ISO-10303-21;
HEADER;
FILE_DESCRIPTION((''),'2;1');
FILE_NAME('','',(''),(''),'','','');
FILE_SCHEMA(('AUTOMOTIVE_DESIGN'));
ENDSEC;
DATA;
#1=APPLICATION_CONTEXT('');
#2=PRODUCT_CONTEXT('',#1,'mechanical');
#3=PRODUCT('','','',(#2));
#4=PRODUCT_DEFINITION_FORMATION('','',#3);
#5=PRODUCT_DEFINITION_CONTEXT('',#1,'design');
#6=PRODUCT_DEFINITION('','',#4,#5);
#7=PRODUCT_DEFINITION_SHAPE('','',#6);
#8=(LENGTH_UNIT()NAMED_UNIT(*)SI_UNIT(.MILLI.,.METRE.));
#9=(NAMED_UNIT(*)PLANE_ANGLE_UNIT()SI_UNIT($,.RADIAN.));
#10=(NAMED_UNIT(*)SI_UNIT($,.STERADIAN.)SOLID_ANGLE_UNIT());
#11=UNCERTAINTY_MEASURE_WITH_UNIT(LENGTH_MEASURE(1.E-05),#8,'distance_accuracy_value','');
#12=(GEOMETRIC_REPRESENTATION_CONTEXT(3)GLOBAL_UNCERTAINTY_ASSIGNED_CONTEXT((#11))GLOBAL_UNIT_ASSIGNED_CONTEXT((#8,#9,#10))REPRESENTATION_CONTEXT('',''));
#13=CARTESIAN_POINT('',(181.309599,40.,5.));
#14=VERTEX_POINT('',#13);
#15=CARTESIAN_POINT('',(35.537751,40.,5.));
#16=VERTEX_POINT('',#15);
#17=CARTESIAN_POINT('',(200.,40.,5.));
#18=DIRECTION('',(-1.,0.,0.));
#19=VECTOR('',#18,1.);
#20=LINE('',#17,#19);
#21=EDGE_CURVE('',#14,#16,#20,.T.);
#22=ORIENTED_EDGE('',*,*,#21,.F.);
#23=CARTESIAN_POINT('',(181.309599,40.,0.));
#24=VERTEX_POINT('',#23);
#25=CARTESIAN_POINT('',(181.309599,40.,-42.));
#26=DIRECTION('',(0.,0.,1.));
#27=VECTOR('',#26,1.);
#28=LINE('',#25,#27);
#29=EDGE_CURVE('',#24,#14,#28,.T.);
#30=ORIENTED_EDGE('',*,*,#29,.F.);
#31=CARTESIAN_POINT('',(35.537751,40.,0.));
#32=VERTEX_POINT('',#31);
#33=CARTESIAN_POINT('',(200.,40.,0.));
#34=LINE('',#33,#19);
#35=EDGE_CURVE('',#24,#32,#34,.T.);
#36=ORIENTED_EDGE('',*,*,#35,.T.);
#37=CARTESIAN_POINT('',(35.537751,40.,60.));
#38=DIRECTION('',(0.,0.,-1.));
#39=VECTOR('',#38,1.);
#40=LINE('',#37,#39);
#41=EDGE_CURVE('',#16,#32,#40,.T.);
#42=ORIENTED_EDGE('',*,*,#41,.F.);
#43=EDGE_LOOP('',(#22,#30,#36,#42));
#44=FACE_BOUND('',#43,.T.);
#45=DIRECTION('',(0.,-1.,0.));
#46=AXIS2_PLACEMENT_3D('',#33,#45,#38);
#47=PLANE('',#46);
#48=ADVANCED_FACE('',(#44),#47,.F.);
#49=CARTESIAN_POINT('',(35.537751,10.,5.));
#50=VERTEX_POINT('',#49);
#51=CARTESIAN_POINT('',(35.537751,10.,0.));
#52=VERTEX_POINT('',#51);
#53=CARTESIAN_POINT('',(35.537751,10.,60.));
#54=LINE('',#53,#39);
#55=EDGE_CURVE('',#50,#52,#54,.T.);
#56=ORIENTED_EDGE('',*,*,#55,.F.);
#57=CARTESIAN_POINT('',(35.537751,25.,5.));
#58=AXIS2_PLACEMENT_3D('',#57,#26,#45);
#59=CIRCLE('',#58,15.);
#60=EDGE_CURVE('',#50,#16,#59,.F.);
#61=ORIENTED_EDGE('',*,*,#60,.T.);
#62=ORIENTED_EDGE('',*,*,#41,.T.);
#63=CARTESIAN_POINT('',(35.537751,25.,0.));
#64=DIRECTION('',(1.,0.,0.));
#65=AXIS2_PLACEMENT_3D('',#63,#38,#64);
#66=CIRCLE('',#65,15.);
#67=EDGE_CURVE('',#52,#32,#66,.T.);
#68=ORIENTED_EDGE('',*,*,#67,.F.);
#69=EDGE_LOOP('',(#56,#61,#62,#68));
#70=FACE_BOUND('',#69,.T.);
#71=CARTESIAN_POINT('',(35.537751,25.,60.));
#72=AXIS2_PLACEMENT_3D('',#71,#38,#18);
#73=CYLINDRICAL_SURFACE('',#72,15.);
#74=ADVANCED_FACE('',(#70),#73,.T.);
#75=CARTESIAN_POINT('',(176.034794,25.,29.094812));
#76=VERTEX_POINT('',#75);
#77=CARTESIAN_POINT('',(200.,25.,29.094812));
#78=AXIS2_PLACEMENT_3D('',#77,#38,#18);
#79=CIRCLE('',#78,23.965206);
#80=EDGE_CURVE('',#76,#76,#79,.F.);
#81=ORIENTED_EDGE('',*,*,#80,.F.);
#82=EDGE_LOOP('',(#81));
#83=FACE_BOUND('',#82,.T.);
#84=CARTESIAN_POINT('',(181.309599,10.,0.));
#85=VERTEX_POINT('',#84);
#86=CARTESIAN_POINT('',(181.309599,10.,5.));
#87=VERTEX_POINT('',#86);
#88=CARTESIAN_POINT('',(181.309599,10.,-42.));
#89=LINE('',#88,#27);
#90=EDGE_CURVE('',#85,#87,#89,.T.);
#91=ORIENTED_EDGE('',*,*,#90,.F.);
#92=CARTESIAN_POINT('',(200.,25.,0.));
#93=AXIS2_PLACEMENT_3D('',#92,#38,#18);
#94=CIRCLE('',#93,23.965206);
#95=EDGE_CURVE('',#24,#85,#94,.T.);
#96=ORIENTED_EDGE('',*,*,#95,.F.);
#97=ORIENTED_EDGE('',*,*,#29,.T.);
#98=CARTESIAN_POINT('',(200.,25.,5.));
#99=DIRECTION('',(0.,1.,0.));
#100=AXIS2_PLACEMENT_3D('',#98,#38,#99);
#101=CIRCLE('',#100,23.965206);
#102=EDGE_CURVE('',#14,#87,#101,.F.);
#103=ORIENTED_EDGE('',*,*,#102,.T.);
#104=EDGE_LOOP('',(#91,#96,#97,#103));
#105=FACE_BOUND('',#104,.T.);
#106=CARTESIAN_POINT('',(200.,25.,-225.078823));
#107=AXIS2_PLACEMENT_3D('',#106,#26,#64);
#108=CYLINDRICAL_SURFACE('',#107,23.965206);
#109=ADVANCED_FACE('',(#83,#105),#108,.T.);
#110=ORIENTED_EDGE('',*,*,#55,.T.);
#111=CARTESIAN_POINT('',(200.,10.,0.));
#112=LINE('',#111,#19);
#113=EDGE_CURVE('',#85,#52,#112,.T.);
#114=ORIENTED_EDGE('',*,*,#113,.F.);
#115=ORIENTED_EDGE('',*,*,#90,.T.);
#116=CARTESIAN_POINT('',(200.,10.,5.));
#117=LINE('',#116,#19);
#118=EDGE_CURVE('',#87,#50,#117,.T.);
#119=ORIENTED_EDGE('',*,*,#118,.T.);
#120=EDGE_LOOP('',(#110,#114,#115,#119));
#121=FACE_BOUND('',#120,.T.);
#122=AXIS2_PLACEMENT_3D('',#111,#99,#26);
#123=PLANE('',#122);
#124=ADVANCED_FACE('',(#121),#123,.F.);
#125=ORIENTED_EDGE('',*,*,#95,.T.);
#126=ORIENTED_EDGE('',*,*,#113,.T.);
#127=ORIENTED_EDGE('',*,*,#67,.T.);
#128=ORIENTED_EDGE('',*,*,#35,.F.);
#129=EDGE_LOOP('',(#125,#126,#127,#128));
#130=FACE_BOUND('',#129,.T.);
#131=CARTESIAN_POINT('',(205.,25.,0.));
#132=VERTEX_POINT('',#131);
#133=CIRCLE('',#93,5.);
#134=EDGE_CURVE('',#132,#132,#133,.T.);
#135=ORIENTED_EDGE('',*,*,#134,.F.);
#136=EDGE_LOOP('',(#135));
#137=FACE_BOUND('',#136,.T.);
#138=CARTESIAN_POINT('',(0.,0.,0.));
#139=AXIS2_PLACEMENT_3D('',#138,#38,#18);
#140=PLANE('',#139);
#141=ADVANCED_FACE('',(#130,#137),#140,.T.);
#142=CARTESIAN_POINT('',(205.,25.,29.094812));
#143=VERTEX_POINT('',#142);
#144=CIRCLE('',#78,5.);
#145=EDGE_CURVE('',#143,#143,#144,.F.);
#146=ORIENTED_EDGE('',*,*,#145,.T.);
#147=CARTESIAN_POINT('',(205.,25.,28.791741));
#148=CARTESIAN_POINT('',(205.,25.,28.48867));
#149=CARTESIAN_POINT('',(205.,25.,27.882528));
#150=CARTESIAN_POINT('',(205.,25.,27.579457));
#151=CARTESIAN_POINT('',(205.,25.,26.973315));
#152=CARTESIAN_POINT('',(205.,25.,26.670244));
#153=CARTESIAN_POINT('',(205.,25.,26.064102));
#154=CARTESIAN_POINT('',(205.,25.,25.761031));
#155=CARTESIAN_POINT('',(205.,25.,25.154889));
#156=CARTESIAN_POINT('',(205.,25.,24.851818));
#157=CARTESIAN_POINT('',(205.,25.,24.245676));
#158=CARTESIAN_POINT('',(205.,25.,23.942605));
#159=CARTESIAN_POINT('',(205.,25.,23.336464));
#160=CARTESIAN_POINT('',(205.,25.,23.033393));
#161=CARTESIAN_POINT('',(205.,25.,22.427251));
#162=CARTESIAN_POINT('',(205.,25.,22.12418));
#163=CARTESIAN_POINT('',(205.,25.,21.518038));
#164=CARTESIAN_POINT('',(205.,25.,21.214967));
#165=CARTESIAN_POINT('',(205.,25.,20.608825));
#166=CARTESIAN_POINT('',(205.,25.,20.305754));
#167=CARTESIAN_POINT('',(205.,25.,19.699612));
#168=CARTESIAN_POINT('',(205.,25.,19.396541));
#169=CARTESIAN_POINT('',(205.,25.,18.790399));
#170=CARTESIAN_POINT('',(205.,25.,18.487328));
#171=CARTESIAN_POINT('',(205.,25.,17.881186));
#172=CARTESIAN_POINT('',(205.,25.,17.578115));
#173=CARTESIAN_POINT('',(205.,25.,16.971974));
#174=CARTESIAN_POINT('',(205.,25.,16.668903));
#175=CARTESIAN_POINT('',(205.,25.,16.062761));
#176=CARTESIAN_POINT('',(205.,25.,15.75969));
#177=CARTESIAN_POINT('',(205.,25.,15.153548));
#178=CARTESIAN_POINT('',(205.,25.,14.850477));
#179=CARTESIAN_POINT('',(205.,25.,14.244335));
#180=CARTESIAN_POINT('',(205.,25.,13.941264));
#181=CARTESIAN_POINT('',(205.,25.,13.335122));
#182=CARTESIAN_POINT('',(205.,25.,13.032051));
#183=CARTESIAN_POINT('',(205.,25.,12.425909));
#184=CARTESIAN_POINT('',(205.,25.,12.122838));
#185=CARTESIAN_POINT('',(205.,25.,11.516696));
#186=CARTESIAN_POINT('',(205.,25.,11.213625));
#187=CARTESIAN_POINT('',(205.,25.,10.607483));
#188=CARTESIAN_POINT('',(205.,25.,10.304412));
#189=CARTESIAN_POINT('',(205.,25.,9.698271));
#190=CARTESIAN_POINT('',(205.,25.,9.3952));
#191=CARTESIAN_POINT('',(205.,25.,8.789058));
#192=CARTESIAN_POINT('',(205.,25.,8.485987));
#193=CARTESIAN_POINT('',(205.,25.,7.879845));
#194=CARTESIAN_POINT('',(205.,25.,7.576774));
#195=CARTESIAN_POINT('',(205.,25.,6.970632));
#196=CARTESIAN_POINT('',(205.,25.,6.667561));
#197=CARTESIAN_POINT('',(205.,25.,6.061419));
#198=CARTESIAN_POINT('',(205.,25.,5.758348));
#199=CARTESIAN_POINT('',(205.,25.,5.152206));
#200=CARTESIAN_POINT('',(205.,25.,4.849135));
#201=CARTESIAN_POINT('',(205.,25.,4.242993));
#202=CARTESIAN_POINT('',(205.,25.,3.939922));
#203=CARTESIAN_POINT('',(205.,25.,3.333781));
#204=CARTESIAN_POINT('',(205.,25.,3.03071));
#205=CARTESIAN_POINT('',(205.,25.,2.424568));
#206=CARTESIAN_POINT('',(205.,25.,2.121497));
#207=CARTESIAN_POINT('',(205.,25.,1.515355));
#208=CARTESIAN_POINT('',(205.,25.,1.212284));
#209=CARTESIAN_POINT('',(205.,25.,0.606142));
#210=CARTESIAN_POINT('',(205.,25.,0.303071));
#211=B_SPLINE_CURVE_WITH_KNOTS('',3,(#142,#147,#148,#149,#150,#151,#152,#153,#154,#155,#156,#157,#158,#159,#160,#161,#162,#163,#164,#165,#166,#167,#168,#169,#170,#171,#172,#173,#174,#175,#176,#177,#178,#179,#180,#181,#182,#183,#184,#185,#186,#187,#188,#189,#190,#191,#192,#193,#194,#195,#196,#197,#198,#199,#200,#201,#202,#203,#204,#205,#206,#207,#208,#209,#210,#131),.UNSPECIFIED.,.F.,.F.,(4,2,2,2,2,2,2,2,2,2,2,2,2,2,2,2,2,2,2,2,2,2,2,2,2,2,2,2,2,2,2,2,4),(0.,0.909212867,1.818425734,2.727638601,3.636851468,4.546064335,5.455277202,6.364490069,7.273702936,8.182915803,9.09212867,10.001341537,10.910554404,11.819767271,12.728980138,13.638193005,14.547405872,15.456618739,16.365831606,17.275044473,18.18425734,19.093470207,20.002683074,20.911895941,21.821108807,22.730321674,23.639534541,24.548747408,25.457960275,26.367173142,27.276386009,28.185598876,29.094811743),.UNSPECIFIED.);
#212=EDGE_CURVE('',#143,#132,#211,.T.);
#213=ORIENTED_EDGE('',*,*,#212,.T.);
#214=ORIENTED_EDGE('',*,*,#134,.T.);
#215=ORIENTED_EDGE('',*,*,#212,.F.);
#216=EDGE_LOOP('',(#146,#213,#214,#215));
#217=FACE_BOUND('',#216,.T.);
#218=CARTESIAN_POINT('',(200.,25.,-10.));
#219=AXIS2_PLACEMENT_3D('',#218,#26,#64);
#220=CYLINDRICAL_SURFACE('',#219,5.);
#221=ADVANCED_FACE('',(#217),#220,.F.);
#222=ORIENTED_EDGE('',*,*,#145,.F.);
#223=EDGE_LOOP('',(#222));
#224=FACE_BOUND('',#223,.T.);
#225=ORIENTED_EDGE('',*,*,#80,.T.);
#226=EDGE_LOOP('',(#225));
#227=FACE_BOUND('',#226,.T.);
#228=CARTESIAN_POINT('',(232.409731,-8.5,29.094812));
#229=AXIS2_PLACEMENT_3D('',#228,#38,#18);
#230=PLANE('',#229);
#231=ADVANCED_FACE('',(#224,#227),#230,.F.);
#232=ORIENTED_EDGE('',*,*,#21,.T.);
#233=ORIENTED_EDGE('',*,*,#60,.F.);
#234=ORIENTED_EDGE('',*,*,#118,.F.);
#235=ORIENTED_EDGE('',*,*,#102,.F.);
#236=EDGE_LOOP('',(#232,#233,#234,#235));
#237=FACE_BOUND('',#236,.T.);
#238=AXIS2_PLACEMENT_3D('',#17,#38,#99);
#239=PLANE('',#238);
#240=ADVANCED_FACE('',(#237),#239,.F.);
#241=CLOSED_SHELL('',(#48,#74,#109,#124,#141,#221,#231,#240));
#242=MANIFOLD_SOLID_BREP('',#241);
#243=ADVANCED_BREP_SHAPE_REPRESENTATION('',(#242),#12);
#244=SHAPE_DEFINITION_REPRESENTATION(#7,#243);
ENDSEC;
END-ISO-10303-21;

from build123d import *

# Parameters (mm, degrees)
SKETCH1_W           = 50
SKETCH1_H           = 50
BOSS_EXTRUDE1_DEPTH = 50
SKETCH2_W           = 50
SKETCH2_H           = 30
CUT_EXTRUDE1_DEPTH  = 5
SKETCH3_W           = 5
SKETCH3_H           = 30
BOSS_EXTRUDE2_DEPTH = 150
SKETCH4_R           = 35
BOSS_EXTRUDE3_DEPTH = 50
SKETCH5_OUTSIDE_W   = 287.05
SKETCH5_OUTSIDE_H   = 122.05
CUT_EXTRUDE2_DEPTH  = 60
SKETCH6_OUTSIDE_W   = 262.676
SKETCH6_OUTSIDE_H   = 98.214
CUT_EXTRUDE3_DEPTH  = 60
SKETCH7_R           = 5
CUT_EXTRUDE4_DEPTH  = 60
SKETCH8_OUTSIDE_W   = 262.676
SKETCH8_OUTSIDE_H   = 118.214
SKETCH8_OUTSIDE_R   = 23.965206127
CUT_EXTRUDE5_DEPTH  = 45
SKETCH9_OUTSIDE_W   = 262.676
SKETCH9_OUTSIDE_H   = 118.214
CUT_EXTRUDE6_DEPTH  = 47
CUT_EXTRUDE7_DEPTH  = 48.5


with BuildPart() as part:
    # Sketch1 → Boss-Extrude1 (new body)
    with BuildSketch(Plane.XY):
        with Locations((25, 25)):
            Rectangle(SKETCH1_W, SKETCH1_H)
    extrude(amount=BOSS_EXTRUDE1_DEPTH)

    # Sketch2 → Cut-Extrude1 (cut)
    with BuildSketch(Plane.XY.offset(50)):
        with Locations((25, 25)):
            Rectangle(SKETCH2_W, SKETCH2_H)
    extrude(amount=-CUT_EXTRUDE1_DEPTH, mode=Mode.SUBTRACT)

    # Sketch3 → Boss-Extrude2 (add)
    with BuildSketch(Plane(origin=(50, 0, 0), x_dir=(0, 0, -1), z_dir=(1, 0, 0))):
        with Locations((-2.5, 25)):
            Rectangle(SKETCH3_W, SKETCH3_H)
    extrude(amount=BOSS_EXTRUDE2_DEPTH)

    # Sketch4 → Boss-Extrude3 (add)
    with BuildSketch(Plane(origin=(0, 0, 0), x_dir=(-1, 0, 0), z_dir=(0, 0, -1))):
        with Locations((-200, 25)):
            Circle(SKETCH4_R)
    extrude(amount=-BOSS_EXTRUDE3_DEPTH)

    # Sketch5 outside → Cut-Extrude2 (cut)
    with BuildSketch(Plane(origin=(0, 0, 0), x_dir=(-1, 0, 0), z_dir=(0, 0, -1))):
        with Locations((-117.5, 25)):
            Rectangle(SKETCH5_OUTSIDE_W, SKETCH5_OUTSIDE_H)
        with BuildLine():
            Line((-50, 40), (-35.53775066, 40))
            ThreePointArc((-35.53775066, 40), (-20.53775066, 25), (-35.53775066, 10))
            Line((-35.53775066, 10), (-50, 10))
            Line((-50, 10), (-247.49593965, -30.086255952))
            Line((-247.49593965, -30.086255952), (-247.49593965, 85.804552417))
            Line((-247.49593965, 85.804552417), (-50, 40))
        make_face(mode=Mode.SUBTRACT)
    extrude(amount=-CUT_EXTRUDE2_DEPTH, mode=Mode.SUBTRACT)

    # Sketch6 outside → Cut-Extrude3 (cut)
    with BuildSketch(Plane(origin=(0, 40, 0), x_dir=(1, 0, 0), z_dir=(0, 1, 0))):
        with Locations((127.769, -25)):
            Rectangle(SKETCH6_OUTSIDE_W, SKETCH6_OUTSIDE_H)
        Polygon((50, -5), (20.53775066, -5), (20.53775066, 0), (245.971060593, 0), (245.971060593, -81.039305363), (133.254405627, -81.039305363), align=None, mode=Mode.SUBTRACT)
    extrude(amount=-CUT_EXTRUDE3_DEPTH, mode=Mode.SUBTRACT)

    # Sketch7 → Cut-Extrude4 (cut)
    with BuildSketch(Plane.XY.offset(50)):
        with Locations((200, 25)):
            Circle(SKETCH7_R)
    extrude(amount=-CUT_EXTRUDE4_DEPTH, mode=Mode.SUBTRACT)

    # Sketch8 outside → Cut-Extrude5 (cut)
    with BuildSketch(Plane.XY.offset(50)):
        with Locations((127.769, 25)):
            Rectangle(SKETCH8_OUTSIDE_W, SKETCH8_OUTSIDE_H)
        with Locations((200, 25)):
            Circle(SKETCH8_OUTSIDE_R, mode=Mode.SUBTRACT)
    extrude(amount=-CUT_EXTRUDE5_DEPTH, mode=Mode.SUBTRACT)

    # Sketch9 outside → Cut-Extrude6 (cut)
    with BuildSketch(Plane.XY.offset(5)):
        with Locations((127.769, 25)):
            Rectangle(SKETCH9_OUTSIDE_W, SKETCH9_OUTSIDE_H)
        with BuildLine():
            Line((168.377223398, 40), (181.309598594, 40))
            ThreePointArc((181.309598594, 40), (223.965206127, 25), (181.309598594, 10))
            Line((181.309598594, 10), (168.377223398, 10))
            Line((168.377223398, 10), (164.401061703, 1.034793873))
            Line((164.401061703, 1.034793873), (16.874562841, 1.034793873))
            Line((16.874562841, 1.034793873), (16.874562841, 40))
            Line((16.874562841, 40), (168.377223398, 40))
        make_face(mode=Mode.SUBTRACT)
    extrude(amount=-CUT_EXTRUDE6_DEPTH, mode=Mode.SUBTRACT)

    # Sketch10 → Cut-Extrude7 (cut, symmetric)
    with BuildSketch(Plane(origin=(0, 40, 0), x_dir=(1, 0, 0), z_dir=(0, 1, 0))):
        Polygon((232.409731391, -29.094811743), (165.185777122, -29.094811743), (165.185777122, -67.022723685), (235.548593069, -67.022723685), align=None)
    extrude(amount=CUT_EXTRUDE7_DEPTH, both=True, mode=Mode.SUBTRACT)


solid = part.part
